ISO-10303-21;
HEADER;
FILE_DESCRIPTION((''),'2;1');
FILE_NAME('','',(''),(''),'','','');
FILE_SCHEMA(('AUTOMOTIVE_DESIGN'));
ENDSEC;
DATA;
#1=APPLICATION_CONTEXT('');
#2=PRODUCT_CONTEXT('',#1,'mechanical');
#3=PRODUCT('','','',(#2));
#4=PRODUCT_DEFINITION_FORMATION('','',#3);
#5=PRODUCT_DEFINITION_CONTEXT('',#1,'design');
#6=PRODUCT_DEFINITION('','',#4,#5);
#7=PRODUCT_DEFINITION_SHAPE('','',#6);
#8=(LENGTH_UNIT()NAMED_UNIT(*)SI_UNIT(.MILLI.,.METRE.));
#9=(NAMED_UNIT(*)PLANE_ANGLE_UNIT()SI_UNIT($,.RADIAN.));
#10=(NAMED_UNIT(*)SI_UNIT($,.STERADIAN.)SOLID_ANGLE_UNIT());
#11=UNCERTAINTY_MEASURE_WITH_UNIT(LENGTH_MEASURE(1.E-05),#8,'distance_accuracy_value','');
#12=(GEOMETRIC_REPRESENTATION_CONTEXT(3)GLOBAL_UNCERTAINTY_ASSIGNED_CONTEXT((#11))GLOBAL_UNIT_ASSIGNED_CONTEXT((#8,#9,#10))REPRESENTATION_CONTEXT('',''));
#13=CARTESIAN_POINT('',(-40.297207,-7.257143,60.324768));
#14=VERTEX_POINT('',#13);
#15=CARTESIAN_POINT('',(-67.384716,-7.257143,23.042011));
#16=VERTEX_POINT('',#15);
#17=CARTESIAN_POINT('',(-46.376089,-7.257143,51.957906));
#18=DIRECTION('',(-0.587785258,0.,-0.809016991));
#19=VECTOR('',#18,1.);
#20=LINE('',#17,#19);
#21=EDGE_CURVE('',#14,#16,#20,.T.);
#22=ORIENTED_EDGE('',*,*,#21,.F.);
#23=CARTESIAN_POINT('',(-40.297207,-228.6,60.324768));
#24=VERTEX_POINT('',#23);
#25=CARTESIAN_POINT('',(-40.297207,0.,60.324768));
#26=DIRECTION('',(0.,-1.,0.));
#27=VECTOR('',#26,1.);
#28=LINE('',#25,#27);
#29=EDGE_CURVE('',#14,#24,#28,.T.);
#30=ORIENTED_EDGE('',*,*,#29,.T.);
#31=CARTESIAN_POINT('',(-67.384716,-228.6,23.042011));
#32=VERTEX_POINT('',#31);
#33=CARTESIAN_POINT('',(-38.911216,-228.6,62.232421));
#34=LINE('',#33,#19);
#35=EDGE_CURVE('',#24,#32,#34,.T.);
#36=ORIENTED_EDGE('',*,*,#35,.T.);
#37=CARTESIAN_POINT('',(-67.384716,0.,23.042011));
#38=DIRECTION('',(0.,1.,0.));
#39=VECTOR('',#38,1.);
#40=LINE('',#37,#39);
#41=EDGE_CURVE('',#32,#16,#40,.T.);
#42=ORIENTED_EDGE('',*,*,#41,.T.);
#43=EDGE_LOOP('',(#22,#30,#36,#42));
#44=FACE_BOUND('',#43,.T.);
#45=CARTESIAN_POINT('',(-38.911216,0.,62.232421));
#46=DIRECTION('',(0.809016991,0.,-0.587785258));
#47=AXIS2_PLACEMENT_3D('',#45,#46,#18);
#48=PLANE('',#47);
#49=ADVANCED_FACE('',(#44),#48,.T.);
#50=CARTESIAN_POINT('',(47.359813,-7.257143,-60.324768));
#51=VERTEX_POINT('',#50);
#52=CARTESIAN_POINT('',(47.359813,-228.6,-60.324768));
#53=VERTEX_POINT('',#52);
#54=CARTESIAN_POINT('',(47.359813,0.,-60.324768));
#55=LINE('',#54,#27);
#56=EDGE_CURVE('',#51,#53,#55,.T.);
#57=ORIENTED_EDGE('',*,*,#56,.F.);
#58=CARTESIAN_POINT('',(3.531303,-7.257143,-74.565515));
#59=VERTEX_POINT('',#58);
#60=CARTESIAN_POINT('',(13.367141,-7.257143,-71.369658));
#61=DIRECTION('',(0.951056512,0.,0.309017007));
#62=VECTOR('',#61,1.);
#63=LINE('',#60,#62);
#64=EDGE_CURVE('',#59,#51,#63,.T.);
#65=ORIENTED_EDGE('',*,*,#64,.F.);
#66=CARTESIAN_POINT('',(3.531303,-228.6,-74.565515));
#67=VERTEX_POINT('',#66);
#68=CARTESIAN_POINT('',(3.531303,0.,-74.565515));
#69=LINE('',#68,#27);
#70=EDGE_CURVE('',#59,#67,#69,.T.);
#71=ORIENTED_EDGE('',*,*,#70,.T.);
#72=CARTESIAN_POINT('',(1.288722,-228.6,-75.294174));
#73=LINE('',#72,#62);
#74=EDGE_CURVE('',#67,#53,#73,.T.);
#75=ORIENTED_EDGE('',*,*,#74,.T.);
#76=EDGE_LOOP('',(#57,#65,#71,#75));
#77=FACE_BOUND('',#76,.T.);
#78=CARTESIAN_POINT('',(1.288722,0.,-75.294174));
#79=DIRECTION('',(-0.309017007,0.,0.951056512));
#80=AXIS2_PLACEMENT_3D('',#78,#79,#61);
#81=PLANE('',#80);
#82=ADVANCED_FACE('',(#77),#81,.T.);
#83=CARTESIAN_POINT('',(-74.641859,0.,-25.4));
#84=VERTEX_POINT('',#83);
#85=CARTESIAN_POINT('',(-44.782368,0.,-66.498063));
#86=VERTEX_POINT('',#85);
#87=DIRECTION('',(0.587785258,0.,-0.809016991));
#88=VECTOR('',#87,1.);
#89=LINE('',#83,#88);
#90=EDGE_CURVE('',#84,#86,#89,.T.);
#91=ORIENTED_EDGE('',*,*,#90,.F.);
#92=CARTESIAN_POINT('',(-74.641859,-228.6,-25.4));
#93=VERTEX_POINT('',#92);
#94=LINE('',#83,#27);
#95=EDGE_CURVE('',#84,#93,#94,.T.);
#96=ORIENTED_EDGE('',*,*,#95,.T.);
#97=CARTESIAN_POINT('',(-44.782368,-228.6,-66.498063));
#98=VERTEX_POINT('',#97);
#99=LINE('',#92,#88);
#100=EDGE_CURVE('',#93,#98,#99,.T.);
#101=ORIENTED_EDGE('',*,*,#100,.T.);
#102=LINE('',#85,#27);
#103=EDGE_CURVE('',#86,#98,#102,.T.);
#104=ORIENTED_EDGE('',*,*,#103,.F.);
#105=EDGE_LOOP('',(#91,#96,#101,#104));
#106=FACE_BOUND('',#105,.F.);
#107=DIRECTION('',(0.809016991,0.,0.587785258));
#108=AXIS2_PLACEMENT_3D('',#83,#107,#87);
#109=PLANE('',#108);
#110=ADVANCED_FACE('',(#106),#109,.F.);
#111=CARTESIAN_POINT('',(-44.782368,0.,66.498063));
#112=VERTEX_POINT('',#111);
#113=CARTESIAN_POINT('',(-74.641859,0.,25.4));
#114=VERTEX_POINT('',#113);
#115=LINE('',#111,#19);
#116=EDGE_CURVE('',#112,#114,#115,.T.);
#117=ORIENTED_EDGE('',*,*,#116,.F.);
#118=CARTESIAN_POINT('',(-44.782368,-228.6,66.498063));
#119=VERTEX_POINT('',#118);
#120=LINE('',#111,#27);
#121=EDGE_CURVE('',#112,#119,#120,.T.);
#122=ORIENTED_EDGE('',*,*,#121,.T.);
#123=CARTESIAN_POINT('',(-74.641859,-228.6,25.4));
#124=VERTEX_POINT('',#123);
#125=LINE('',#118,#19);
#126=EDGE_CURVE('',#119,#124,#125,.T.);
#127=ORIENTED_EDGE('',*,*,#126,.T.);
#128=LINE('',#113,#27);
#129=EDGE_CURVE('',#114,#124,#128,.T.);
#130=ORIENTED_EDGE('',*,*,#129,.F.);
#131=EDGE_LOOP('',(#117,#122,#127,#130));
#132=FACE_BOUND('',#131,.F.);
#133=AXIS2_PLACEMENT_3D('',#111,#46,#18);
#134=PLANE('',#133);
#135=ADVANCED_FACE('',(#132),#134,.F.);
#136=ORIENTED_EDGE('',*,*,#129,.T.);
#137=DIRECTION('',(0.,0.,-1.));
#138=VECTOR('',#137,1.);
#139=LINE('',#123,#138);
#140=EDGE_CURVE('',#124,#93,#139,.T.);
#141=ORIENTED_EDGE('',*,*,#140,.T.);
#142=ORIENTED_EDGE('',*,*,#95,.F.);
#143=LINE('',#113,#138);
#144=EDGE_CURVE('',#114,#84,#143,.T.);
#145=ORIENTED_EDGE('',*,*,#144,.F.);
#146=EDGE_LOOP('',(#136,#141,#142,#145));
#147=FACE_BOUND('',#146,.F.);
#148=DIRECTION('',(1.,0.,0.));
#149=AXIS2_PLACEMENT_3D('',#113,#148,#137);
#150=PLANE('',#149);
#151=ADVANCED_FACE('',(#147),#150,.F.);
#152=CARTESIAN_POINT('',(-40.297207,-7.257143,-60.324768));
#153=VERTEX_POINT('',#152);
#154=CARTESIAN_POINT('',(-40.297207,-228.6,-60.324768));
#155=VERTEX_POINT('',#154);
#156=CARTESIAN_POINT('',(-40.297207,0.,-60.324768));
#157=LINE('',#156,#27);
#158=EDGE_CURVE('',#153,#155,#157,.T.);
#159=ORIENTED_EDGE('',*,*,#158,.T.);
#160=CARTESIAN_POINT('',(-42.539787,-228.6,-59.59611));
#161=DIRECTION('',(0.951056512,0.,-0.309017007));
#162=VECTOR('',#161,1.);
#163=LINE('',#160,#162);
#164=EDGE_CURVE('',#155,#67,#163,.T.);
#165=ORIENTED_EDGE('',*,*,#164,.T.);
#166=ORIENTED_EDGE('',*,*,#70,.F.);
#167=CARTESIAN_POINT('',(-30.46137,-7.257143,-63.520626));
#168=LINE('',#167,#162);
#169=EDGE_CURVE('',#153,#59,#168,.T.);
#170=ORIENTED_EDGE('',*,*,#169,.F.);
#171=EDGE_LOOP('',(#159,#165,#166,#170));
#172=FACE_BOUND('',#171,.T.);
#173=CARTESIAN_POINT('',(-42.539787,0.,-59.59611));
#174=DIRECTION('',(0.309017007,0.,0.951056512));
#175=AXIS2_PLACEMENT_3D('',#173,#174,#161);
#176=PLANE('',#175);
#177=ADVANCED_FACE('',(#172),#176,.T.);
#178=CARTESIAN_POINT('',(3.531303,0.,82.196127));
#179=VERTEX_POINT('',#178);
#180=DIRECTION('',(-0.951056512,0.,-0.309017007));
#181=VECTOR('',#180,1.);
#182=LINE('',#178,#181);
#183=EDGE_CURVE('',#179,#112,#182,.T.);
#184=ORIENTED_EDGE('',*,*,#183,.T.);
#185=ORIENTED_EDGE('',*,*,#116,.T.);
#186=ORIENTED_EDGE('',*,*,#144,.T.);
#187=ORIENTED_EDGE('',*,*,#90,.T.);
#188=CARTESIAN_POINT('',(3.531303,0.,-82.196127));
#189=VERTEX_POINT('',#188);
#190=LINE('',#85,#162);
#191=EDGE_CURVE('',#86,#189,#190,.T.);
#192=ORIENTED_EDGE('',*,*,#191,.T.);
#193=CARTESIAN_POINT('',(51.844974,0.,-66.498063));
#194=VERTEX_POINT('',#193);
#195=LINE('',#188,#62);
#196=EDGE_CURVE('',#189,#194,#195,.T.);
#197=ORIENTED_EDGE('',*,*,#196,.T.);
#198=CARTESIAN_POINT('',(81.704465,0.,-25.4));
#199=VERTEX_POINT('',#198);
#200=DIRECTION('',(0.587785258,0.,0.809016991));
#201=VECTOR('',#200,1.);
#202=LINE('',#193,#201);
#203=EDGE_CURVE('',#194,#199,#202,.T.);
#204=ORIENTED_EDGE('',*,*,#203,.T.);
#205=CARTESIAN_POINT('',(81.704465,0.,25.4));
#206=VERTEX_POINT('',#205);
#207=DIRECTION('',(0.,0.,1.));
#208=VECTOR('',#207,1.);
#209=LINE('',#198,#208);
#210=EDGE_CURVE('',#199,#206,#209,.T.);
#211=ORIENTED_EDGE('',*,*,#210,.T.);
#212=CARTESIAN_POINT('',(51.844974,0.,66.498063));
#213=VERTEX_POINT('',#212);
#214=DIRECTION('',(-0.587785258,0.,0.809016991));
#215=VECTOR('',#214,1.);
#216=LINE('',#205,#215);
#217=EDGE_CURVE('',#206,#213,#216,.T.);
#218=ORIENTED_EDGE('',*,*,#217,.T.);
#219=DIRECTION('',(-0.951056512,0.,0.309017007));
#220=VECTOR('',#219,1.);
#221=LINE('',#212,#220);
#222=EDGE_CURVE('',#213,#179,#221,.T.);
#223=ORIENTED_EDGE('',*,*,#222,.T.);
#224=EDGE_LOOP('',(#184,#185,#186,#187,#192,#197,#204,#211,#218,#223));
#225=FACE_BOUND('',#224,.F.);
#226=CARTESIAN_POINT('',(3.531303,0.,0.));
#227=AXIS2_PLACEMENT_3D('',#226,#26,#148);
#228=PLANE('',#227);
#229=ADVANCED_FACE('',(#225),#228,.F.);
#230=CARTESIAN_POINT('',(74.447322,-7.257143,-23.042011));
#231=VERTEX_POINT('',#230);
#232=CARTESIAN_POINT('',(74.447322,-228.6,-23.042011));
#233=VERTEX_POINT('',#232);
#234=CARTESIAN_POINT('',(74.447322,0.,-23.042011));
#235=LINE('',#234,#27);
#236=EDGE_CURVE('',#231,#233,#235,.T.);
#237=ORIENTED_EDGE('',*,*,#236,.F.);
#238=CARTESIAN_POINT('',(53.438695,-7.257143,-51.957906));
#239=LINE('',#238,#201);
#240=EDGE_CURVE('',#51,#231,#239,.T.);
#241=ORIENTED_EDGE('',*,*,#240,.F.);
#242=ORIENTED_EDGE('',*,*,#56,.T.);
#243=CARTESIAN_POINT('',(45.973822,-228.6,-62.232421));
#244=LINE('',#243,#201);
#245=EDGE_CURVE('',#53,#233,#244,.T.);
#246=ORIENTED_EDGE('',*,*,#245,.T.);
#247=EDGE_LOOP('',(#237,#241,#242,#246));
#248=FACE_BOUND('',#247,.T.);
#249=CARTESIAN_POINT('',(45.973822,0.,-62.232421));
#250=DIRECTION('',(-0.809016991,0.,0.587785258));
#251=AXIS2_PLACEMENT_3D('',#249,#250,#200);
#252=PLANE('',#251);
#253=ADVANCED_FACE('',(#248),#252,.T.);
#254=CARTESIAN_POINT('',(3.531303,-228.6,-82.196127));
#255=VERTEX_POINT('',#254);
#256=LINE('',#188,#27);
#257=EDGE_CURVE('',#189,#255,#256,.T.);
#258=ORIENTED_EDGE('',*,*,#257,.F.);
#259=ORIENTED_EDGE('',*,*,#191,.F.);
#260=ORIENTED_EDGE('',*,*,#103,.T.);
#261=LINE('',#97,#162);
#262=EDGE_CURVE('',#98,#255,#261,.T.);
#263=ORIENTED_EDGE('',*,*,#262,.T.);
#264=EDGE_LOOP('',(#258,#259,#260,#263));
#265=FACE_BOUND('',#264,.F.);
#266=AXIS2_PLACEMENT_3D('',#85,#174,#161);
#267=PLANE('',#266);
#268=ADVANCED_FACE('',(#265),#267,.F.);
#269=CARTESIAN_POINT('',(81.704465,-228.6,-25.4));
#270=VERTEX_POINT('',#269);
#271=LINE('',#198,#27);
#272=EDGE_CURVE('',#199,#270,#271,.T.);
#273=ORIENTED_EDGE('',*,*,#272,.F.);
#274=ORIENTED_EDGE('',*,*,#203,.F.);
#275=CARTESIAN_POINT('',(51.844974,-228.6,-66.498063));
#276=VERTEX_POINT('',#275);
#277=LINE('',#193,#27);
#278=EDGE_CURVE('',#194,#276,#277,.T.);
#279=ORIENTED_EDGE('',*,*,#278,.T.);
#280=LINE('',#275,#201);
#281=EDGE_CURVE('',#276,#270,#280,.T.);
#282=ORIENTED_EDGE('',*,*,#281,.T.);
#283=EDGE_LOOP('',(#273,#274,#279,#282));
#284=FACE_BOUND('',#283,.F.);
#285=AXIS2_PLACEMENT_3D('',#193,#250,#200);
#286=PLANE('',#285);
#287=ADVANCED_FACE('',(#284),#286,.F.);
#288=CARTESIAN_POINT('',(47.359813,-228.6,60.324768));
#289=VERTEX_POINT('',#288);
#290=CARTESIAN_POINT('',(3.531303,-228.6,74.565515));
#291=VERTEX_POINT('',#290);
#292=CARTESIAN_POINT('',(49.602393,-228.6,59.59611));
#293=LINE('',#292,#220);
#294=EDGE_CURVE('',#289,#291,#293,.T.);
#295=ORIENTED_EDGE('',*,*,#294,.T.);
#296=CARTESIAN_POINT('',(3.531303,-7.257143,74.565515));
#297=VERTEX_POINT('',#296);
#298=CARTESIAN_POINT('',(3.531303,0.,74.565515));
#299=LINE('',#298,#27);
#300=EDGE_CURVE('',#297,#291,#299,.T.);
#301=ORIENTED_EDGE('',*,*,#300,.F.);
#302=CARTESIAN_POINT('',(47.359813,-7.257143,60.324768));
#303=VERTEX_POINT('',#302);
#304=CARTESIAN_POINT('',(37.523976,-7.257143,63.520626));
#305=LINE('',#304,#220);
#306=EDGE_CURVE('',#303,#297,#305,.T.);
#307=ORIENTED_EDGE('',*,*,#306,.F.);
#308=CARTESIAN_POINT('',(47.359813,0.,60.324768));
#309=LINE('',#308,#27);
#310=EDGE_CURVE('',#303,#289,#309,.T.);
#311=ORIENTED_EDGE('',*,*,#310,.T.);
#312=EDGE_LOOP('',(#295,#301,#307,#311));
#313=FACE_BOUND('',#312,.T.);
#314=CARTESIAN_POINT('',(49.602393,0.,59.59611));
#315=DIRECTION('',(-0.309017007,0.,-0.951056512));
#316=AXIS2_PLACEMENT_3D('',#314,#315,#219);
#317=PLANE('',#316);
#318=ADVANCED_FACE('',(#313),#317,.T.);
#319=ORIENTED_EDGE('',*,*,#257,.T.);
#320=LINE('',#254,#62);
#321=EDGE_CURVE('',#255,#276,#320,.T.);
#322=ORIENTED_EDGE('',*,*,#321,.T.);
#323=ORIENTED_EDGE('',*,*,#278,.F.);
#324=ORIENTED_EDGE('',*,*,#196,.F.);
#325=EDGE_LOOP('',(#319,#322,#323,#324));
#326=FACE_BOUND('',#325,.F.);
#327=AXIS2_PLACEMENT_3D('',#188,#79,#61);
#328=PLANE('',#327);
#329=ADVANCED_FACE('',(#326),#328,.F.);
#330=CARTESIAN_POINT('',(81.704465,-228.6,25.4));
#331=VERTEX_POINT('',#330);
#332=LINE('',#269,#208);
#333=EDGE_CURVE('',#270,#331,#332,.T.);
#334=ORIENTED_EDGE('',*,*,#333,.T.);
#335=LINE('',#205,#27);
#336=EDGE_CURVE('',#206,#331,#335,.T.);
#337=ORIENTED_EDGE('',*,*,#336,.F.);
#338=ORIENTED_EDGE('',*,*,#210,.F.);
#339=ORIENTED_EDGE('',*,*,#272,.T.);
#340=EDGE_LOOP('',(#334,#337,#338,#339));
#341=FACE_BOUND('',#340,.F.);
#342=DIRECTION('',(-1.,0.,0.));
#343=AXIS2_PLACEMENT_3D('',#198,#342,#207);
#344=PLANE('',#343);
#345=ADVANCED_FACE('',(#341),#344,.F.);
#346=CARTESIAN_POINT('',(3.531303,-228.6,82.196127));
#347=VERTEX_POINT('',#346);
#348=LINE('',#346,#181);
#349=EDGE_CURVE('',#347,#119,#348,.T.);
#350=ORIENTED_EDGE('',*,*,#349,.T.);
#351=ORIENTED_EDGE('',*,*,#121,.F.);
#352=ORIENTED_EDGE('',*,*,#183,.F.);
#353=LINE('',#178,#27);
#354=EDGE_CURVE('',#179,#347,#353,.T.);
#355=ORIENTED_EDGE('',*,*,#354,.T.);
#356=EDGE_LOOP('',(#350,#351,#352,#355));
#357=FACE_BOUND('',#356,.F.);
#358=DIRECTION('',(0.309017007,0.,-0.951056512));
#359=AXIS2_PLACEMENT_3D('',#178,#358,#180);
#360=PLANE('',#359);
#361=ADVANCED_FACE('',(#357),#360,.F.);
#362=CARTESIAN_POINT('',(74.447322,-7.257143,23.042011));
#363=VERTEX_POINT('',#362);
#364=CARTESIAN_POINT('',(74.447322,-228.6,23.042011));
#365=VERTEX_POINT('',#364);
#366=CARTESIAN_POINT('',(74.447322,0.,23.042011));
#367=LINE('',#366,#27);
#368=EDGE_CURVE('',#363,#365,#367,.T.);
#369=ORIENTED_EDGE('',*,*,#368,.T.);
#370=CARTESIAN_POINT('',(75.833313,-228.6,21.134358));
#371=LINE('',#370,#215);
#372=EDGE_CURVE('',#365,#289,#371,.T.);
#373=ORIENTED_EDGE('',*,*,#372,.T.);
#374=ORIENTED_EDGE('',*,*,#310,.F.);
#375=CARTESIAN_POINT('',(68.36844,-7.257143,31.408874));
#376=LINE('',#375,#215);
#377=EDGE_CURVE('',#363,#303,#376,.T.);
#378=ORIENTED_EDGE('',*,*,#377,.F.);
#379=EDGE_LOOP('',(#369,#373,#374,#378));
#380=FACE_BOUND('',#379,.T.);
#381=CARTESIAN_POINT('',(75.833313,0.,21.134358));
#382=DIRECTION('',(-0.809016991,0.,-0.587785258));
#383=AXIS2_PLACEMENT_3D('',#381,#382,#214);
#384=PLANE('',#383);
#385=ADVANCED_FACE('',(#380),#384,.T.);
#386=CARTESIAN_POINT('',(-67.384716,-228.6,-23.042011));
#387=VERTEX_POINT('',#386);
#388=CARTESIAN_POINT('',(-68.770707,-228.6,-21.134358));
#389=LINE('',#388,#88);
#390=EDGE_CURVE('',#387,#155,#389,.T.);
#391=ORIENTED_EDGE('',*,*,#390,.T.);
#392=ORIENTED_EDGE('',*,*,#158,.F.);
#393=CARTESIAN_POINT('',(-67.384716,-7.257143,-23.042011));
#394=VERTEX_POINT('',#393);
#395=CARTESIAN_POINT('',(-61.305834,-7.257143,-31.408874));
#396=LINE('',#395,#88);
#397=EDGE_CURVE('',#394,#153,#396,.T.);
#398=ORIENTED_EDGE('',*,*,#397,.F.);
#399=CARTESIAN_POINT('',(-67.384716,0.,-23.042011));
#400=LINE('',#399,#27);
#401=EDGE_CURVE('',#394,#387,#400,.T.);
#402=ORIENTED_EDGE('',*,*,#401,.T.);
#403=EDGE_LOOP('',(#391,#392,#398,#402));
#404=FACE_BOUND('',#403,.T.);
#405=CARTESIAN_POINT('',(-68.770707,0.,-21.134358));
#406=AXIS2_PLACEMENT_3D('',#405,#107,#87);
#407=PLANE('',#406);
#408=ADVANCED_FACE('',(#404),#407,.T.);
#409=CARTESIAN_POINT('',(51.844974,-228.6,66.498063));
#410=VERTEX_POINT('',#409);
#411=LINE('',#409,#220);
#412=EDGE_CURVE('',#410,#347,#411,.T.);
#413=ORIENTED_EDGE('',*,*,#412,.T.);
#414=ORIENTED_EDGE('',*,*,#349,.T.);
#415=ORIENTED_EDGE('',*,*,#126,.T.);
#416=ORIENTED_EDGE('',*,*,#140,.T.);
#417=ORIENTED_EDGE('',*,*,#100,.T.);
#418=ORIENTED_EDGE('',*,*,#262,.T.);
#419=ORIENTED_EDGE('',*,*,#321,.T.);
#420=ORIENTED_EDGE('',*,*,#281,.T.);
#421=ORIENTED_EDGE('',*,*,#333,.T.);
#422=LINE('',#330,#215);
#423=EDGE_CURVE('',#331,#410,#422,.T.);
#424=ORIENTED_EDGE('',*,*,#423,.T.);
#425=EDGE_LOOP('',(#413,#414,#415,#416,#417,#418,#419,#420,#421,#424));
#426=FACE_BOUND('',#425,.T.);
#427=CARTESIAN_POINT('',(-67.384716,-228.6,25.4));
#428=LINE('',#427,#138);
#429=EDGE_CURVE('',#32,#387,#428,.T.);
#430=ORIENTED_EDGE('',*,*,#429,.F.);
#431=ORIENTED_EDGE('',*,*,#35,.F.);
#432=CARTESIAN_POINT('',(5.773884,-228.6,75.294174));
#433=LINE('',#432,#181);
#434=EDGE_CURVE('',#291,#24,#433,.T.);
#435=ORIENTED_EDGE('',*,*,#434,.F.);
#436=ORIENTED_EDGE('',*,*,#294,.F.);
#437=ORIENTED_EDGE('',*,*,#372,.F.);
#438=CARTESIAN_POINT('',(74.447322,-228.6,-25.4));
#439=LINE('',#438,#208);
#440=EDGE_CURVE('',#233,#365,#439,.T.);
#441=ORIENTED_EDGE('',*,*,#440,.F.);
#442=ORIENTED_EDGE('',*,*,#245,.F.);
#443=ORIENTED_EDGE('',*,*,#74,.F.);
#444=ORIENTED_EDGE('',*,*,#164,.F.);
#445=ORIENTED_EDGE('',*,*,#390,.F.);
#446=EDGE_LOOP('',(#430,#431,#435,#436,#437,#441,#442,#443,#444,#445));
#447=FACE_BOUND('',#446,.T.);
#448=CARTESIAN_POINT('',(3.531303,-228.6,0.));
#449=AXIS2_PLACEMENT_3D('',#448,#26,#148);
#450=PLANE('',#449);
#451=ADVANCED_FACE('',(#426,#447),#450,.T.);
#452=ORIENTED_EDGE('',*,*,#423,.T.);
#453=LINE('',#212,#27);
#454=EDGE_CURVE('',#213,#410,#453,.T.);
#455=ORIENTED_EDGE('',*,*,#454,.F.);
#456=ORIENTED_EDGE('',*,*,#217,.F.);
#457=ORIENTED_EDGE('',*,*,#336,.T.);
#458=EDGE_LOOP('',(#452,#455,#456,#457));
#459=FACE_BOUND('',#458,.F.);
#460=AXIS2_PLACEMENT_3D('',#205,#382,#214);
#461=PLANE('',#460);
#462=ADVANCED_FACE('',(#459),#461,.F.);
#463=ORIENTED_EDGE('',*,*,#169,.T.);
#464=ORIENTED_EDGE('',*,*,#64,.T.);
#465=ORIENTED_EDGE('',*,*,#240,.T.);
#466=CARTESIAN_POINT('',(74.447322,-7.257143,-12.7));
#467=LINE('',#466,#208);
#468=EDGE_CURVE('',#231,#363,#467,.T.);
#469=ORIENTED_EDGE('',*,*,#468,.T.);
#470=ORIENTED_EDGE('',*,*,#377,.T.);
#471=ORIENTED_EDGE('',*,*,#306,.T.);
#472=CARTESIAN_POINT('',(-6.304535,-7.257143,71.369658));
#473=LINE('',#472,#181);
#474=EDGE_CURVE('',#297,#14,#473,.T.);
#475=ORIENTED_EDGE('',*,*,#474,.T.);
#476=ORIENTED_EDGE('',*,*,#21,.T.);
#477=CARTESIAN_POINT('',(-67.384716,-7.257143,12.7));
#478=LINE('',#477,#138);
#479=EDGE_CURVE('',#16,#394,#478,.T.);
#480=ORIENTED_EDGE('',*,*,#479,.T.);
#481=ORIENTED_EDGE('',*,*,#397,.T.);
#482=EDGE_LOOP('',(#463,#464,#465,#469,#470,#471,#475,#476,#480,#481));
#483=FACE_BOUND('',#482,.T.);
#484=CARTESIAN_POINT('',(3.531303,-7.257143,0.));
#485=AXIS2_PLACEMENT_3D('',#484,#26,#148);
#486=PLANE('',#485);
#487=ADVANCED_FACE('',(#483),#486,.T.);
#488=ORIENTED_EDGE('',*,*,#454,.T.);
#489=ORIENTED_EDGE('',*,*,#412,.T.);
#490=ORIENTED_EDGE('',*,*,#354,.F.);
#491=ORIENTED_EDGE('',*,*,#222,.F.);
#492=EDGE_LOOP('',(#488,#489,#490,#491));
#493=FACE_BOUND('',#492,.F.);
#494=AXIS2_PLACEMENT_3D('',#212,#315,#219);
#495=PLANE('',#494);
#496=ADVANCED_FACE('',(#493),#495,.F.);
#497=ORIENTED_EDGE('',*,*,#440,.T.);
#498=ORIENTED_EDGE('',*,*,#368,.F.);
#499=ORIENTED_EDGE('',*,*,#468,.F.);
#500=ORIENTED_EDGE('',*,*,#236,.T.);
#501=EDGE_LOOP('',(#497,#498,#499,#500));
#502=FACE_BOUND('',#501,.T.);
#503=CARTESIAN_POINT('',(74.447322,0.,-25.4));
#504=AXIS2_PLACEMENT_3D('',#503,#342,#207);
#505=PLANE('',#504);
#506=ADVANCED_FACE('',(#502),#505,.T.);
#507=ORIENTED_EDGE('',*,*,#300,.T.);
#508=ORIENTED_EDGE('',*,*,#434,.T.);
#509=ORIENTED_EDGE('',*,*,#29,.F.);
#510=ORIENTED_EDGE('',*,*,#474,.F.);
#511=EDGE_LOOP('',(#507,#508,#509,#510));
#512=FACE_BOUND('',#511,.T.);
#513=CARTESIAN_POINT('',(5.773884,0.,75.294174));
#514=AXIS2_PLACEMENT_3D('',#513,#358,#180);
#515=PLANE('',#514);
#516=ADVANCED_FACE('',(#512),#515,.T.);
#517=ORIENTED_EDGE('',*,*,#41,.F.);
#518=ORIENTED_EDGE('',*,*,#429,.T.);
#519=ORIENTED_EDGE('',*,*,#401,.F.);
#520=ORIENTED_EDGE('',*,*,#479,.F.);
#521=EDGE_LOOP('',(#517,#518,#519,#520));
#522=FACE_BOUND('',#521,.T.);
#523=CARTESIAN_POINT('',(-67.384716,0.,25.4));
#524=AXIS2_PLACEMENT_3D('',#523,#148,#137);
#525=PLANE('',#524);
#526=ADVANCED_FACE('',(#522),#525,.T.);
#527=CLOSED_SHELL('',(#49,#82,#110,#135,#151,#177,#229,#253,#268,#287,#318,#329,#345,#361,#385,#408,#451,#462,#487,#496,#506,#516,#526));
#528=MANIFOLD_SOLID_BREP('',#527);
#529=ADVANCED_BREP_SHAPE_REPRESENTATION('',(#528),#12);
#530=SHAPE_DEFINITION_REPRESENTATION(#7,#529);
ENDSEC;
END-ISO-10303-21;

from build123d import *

# Parameters (mm, degrees)
F1_DEPTH = 228.6
F2_T     = -7.257143


with BuildPart() as f1:
    # F0 (on Front) → F1 (new body)
    with BuildSketch(Plane.XZ):
        Polygon((-74.641859, 25.4), (-74.641859, -25.4), (-44.782368, -66.498063), (3.531303, -82.196127), (51.844974, -66.498063), (81.704465, -25.4), (81.704465, 25.4), (51.844974, 66.498063), (3.531303, 82.196127), (-44.782368, 66.498063), align=None)
    extrude(amount=F1_DEPTH)

    # F2
    f2_openings = [f1.faces().sort_by_distance(p)[0] for p in [
        (3.531303, -228.6, 0),
    ]]
    offset(amount=F2_T, openings=f2_openings)


solid = f1.part
